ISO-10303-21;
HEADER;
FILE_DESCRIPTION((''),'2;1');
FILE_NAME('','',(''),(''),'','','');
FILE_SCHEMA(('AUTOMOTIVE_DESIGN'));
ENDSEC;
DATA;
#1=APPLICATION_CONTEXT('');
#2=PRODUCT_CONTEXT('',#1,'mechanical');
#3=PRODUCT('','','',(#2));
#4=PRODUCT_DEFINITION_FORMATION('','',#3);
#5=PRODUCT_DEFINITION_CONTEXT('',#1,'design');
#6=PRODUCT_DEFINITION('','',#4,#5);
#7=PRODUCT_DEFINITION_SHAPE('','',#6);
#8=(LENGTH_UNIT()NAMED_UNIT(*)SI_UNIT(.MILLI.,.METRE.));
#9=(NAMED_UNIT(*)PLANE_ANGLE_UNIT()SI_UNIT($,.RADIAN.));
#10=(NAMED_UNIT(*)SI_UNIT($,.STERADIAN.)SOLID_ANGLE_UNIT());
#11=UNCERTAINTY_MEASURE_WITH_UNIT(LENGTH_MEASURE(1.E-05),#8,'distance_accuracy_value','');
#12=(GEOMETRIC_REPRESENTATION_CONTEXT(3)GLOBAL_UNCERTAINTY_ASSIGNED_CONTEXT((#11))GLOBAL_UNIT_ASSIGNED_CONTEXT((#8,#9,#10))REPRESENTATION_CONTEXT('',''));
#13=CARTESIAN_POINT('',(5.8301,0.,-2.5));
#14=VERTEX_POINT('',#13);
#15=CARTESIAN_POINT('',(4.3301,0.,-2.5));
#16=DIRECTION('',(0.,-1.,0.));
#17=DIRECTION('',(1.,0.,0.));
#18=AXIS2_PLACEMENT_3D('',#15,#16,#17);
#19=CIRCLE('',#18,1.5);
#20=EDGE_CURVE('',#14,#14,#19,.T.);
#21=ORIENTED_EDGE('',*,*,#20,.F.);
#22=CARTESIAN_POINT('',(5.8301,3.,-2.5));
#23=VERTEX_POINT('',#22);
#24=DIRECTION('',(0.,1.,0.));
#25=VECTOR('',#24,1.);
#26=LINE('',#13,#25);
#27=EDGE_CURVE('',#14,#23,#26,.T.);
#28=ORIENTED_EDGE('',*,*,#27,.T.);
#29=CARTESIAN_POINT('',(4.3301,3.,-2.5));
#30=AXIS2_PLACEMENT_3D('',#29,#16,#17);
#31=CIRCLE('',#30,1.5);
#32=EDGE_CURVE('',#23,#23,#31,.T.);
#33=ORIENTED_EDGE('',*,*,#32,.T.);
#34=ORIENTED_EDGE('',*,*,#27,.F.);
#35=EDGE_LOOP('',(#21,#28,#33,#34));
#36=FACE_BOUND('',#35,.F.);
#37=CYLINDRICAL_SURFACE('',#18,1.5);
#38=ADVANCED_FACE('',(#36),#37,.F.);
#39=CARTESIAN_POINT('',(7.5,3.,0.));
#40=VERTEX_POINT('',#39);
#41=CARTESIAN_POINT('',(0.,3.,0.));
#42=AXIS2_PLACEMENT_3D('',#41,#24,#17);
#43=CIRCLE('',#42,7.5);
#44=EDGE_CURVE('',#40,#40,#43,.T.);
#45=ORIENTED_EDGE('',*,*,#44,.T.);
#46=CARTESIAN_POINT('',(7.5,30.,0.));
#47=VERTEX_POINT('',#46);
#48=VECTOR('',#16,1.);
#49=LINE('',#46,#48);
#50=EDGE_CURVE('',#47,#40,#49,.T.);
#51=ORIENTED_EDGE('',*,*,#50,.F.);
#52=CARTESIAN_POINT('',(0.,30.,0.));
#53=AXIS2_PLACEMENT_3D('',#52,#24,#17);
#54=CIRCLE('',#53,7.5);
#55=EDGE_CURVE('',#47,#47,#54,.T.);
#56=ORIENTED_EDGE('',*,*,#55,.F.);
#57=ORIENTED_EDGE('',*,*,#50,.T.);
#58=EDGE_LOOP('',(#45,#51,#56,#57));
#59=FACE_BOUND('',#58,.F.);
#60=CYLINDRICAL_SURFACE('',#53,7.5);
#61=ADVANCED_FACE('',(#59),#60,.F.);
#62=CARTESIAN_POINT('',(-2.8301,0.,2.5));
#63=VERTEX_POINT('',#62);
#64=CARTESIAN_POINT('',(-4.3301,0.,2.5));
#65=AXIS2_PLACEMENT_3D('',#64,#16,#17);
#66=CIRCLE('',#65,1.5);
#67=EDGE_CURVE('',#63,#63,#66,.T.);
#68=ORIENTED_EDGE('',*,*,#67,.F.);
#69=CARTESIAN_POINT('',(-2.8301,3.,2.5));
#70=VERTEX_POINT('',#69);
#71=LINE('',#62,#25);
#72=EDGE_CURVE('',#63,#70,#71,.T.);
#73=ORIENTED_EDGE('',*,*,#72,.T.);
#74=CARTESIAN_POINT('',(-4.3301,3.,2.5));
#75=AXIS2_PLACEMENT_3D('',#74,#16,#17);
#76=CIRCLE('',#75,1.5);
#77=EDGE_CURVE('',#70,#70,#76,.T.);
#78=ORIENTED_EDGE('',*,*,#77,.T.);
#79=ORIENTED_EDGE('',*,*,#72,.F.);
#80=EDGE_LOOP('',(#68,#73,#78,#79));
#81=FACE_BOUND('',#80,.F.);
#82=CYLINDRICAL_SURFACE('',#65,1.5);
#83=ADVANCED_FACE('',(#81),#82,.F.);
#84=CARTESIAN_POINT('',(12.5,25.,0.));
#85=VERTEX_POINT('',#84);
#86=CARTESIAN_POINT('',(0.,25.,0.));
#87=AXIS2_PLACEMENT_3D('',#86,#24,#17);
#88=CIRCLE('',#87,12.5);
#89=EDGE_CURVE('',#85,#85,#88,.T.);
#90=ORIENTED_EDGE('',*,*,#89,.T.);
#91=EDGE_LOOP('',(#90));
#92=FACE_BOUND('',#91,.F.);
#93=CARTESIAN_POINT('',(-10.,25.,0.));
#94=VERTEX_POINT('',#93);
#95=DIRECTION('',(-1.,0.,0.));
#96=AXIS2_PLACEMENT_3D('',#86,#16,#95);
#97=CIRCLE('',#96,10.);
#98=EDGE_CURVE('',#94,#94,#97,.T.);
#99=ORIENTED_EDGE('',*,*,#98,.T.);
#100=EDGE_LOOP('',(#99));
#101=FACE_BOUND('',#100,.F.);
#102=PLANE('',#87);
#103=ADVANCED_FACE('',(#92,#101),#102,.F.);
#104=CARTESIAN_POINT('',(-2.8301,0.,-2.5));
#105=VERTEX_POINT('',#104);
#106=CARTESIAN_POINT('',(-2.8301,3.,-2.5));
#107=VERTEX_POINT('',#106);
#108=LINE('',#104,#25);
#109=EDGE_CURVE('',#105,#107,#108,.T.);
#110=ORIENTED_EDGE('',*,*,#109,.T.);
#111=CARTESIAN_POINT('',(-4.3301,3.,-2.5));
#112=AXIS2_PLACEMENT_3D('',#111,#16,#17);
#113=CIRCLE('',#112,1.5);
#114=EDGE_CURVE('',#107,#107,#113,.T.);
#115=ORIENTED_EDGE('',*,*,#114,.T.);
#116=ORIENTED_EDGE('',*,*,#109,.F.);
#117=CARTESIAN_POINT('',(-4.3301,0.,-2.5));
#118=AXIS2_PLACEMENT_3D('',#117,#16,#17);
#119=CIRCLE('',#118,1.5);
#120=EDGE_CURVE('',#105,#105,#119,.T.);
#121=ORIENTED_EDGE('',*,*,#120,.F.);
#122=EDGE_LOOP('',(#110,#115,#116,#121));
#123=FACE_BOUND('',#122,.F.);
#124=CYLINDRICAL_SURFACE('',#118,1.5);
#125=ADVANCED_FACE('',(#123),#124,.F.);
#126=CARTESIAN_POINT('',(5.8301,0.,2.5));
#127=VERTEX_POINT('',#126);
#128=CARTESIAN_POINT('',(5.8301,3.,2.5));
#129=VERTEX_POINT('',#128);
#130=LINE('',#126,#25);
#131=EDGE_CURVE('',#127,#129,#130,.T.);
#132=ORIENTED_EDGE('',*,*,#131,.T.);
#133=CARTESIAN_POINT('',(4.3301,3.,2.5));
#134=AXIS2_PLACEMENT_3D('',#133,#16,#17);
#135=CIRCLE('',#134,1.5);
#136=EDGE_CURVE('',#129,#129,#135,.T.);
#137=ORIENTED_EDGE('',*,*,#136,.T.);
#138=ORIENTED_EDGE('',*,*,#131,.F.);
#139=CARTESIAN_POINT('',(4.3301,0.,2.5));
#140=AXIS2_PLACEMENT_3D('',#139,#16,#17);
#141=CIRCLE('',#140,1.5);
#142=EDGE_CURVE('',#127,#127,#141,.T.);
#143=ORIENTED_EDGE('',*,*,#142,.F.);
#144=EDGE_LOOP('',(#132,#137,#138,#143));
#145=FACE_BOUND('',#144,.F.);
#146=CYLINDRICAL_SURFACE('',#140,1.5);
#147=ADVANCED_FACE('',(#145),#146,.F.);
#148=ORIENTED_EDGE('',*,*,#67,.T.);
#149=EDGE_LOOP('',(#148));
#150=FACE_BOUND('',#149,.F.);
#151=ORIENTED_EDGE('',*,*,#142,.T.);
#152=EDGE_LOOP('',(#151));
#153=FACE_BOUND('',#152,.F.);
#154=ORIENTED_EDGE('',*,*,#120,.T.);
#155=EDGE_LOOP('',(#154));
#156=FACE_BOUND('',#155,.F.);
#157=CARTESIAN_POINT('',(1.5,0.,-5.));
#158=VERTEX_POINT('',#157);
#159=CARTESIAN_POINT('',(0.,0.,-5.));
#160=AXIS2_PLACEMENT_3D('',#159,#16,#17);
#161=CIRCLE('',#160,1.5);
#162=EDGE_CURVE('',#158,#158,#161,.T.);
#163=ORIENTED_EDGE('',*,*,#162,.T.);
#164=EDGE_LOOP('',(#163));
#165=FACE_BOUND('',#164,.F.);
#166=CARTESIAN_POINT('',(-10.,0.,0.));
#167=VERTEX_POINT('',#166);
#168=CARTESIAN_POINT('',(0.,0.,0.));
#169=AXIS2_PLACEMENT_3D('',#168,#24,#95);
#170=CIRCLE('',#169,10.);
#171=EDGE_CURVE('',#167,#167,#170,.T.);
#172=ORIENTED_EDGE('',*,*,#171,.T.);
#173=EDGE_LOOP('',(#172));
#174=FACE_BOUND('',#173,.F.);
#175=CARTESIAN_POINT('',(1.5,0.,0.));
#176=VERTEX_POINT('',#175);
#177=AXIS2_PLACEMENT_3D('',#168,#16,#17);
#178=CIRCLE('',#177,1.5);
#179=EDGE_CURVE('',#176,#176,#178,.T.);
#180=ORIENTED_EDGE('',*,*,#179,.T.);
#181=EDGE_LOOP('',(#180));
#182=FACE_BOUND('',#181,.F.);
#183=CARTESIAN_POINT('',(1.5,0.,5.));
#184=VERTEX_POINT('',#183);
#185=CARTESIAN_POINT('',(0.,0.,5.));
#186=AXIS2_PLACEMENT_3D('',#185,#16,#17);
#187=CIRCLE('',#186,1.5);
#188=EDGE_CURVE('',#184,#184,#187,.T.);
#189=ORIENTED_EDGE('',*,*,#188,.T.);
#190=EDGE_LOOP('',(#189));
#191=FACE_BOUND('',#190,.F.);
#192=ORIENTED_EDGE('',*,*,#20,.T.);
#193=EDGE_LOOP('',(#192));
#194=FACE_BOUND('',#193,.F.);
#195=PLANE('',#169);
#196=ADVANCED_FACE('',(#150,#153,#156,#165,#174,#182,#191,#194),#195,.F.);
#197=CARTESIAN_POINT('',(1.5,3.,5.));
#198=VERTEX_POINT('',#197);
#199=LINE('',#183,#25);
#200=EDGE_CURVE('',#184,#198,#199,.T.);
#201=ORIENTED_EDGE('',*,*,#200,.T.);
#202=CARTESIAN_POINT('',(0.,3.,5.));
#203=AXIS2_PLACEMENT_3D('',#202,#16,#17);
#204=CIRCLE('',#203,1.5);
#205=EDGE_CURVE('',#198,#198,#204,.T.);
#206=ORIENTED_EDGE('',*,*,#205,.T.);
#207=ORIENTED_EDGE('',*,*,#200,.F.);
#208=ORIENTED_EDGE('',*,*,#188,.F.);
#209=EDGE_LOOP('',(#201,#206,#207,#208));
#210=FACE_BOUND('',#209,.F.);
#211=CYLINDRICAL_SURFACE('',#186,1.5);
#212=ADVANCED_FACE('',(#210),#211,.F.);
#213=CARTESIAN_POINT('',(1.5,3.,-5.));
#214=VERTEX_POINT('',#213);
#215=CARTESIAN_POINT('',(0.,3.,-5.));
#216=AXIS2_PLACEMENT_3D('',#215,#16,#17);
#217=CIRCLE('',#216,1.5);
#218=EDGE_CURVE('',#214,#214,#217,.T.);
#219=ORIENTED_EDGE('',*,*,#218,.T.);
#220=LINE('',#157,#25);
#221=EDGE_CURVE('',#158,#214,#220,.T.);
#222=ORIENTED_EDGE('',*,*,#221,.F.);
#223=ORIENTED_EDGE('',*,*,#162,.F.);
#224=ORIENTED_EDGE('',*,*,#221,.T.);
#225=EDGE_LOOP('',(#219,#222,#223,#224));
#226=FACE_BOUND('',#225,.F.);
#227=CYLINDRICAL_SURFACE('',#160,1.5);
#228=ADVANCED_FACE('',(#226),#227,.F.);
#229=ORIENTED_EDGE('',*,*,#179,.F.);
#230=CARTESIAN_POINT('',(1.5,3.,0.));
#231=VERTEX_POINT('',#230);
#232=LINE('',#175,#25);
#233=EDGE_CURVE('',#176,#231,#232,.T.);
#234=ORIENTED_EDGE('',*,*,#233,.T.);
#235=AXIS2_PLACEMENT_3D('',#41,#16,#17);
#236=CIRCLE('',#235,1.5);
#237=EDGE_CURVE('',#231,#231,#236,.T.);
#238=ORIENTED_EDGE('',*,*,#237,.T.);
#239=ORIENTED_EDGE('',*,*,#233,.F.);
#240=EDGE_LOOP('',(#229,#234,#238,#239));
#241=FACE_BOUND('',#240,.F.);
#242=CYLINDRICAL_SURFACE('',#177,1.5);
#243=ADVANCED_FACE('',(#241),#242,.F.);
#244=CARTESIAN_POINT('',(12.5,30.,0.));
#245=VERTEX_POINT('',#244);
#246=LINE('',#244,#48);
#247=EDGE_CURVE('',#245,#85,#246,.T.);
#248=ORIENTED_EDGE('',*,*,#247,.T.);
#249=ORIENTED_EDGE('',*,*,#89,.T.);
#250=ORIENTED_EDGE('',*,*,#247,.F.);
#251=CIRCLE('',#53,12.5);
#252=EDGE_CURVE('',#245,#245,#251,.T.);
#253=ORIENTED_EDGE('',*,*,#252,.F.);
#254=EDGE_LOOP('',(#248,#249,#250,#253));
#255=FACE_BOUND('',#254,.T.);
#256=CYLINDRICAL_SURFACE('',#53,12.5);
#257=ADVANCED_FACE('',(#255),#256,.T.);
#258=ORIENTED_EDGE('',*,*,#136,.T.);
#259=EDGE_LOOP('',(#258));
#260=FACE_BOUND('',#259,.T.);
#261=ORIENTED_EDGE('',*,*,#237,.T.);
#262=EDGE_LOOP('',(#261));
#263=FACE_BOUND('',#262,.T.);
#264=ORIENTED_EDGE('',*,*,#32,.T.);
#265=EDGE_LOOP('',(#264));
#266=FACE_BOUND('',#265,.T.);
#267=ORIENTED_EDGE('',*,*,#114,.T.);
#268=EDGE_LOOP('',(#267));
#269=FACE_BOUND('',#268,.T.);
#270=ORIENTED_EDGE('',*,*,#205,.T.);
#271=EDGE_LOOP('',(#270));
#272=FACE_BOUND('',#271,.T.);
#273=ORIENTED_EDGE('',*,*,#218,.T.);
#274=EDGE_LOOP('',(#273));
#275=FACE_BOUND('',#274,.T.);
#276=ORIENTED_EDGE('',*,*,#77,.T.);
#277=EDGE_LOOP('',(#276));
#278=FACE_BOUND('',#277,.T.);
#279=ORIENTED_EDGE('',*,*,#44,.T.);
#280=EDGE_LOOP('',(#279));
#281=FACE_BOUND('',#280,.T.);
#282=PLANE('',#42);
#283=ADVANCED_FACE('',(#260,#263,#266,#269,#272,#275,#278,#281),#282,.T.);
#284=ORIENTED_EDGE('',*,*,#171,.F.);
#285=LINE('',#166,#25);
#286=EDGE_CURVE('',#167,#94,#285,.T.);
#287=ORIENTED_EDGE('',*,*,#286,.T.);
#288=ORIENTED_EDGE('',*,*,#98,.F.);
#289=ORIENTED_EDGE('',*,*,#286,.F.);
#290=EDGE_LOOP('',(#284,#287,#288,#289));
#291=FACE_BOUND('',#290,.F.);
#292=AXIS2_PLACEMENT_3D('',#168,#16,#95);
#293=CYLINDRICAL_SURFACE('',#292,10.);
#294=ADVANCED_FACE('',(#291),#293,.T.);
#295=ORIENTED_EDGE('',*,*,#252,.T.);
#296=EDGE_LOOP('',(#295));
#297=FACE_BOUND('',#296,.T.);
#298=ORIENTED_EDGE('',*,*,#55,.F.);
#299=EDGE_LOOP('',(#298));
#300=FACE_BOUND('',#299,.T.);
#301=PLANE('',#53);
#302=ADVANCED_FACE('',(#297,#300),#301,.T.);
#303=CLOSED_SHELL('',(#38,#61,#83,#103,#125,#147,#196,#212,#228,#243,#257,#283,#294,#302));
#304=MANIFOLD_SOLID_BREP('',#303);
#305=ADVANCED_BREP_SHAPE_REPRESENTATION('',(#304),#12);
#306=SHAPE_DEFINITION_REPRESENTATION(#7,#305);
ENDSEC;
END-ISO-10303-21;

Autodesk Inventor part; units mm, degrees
ref_plane "YZ Plane" through (0, 0, 0) normal (1, 0, 0) x (0, 1, 0)
ref_plane "XZ Plane" through (0, 0, 0) normal (0, 1, 0) x (-1, 0, 0)
ref_plane "XY Plane" through (0, 0, 0) normal (0, 0, 1) x (1, 0, 0)
sketch "Sketch1" plane through (0, 0, 0) normal (0, 1, 0) x (-1, 0, 0)
  circle A0 centre (0, 0) radius 10
  dimension "d0" = 20
extrude "Extrusion1" add sketch "Sketch1" along normal blind 30
sketch "Sketch2" plane through (0, 30, 0) normal (0, 1, 0) x (1, 0, 0)
  circle A0 centre (0, 0) radius 12.5
  dimension "d3" = 25
extrude "Extrusion2" add sketch "Sketch2" against normal blind 5
sketch "Sketch3" plane through (0, 30, 0) normal (0, 1, 0) x (1, 0, 0)
  circle A0 centre (0, 0) radius 7.5
  dimension "d7" = 15
extrude "Extrusion3" cut sketch "Sketch3" against normal blind 27
sketch "Sketch5" plane through (0, 0, 0) normal (0, -1, 0) x (1, 0, 0)
  circle A0 centre (0, 0) radius 5 construction
  circle A1 centre (0, 5) radius 1.5
  circle A2 centre (0, 0) radius 5 construction
  circle A3 centre (-4.3301, 2.5) radius 1.5
  circle A4 centre (0, 0) radius 5 construction
  circle A5 centre (-4.3301, -2.5) radius 1.5
  circle A6 centre (0, 0) radius 5 construction
  circle A7 centre (0, -5) radius 1.5
  circle A8 centre (0, 0) radius 5 construction
  circle A9 centre (4.3301, -2.5) radius 1.5
  circle A10 centre (0, 0) radius 5 construction
  circle A11 centre (4.3301, 2.5) radius 1.5
  circle A12 centre (0, 0) radius 1.5
  dimension "d32" = 10
  dimension "d33" = 3
  dimension "d36" = 360
  dimension "d38" = 3
extrude "Extrusion6" cut sketch "Sketch5" against normal blind 10
sketch "Sketch6" plane through (0, 30, 0) normal (0, 1, 0) x (1, 0, 0)
  point P0 (0, 0)
properties part number "DiffusionModule" material "ABS Plastic"
